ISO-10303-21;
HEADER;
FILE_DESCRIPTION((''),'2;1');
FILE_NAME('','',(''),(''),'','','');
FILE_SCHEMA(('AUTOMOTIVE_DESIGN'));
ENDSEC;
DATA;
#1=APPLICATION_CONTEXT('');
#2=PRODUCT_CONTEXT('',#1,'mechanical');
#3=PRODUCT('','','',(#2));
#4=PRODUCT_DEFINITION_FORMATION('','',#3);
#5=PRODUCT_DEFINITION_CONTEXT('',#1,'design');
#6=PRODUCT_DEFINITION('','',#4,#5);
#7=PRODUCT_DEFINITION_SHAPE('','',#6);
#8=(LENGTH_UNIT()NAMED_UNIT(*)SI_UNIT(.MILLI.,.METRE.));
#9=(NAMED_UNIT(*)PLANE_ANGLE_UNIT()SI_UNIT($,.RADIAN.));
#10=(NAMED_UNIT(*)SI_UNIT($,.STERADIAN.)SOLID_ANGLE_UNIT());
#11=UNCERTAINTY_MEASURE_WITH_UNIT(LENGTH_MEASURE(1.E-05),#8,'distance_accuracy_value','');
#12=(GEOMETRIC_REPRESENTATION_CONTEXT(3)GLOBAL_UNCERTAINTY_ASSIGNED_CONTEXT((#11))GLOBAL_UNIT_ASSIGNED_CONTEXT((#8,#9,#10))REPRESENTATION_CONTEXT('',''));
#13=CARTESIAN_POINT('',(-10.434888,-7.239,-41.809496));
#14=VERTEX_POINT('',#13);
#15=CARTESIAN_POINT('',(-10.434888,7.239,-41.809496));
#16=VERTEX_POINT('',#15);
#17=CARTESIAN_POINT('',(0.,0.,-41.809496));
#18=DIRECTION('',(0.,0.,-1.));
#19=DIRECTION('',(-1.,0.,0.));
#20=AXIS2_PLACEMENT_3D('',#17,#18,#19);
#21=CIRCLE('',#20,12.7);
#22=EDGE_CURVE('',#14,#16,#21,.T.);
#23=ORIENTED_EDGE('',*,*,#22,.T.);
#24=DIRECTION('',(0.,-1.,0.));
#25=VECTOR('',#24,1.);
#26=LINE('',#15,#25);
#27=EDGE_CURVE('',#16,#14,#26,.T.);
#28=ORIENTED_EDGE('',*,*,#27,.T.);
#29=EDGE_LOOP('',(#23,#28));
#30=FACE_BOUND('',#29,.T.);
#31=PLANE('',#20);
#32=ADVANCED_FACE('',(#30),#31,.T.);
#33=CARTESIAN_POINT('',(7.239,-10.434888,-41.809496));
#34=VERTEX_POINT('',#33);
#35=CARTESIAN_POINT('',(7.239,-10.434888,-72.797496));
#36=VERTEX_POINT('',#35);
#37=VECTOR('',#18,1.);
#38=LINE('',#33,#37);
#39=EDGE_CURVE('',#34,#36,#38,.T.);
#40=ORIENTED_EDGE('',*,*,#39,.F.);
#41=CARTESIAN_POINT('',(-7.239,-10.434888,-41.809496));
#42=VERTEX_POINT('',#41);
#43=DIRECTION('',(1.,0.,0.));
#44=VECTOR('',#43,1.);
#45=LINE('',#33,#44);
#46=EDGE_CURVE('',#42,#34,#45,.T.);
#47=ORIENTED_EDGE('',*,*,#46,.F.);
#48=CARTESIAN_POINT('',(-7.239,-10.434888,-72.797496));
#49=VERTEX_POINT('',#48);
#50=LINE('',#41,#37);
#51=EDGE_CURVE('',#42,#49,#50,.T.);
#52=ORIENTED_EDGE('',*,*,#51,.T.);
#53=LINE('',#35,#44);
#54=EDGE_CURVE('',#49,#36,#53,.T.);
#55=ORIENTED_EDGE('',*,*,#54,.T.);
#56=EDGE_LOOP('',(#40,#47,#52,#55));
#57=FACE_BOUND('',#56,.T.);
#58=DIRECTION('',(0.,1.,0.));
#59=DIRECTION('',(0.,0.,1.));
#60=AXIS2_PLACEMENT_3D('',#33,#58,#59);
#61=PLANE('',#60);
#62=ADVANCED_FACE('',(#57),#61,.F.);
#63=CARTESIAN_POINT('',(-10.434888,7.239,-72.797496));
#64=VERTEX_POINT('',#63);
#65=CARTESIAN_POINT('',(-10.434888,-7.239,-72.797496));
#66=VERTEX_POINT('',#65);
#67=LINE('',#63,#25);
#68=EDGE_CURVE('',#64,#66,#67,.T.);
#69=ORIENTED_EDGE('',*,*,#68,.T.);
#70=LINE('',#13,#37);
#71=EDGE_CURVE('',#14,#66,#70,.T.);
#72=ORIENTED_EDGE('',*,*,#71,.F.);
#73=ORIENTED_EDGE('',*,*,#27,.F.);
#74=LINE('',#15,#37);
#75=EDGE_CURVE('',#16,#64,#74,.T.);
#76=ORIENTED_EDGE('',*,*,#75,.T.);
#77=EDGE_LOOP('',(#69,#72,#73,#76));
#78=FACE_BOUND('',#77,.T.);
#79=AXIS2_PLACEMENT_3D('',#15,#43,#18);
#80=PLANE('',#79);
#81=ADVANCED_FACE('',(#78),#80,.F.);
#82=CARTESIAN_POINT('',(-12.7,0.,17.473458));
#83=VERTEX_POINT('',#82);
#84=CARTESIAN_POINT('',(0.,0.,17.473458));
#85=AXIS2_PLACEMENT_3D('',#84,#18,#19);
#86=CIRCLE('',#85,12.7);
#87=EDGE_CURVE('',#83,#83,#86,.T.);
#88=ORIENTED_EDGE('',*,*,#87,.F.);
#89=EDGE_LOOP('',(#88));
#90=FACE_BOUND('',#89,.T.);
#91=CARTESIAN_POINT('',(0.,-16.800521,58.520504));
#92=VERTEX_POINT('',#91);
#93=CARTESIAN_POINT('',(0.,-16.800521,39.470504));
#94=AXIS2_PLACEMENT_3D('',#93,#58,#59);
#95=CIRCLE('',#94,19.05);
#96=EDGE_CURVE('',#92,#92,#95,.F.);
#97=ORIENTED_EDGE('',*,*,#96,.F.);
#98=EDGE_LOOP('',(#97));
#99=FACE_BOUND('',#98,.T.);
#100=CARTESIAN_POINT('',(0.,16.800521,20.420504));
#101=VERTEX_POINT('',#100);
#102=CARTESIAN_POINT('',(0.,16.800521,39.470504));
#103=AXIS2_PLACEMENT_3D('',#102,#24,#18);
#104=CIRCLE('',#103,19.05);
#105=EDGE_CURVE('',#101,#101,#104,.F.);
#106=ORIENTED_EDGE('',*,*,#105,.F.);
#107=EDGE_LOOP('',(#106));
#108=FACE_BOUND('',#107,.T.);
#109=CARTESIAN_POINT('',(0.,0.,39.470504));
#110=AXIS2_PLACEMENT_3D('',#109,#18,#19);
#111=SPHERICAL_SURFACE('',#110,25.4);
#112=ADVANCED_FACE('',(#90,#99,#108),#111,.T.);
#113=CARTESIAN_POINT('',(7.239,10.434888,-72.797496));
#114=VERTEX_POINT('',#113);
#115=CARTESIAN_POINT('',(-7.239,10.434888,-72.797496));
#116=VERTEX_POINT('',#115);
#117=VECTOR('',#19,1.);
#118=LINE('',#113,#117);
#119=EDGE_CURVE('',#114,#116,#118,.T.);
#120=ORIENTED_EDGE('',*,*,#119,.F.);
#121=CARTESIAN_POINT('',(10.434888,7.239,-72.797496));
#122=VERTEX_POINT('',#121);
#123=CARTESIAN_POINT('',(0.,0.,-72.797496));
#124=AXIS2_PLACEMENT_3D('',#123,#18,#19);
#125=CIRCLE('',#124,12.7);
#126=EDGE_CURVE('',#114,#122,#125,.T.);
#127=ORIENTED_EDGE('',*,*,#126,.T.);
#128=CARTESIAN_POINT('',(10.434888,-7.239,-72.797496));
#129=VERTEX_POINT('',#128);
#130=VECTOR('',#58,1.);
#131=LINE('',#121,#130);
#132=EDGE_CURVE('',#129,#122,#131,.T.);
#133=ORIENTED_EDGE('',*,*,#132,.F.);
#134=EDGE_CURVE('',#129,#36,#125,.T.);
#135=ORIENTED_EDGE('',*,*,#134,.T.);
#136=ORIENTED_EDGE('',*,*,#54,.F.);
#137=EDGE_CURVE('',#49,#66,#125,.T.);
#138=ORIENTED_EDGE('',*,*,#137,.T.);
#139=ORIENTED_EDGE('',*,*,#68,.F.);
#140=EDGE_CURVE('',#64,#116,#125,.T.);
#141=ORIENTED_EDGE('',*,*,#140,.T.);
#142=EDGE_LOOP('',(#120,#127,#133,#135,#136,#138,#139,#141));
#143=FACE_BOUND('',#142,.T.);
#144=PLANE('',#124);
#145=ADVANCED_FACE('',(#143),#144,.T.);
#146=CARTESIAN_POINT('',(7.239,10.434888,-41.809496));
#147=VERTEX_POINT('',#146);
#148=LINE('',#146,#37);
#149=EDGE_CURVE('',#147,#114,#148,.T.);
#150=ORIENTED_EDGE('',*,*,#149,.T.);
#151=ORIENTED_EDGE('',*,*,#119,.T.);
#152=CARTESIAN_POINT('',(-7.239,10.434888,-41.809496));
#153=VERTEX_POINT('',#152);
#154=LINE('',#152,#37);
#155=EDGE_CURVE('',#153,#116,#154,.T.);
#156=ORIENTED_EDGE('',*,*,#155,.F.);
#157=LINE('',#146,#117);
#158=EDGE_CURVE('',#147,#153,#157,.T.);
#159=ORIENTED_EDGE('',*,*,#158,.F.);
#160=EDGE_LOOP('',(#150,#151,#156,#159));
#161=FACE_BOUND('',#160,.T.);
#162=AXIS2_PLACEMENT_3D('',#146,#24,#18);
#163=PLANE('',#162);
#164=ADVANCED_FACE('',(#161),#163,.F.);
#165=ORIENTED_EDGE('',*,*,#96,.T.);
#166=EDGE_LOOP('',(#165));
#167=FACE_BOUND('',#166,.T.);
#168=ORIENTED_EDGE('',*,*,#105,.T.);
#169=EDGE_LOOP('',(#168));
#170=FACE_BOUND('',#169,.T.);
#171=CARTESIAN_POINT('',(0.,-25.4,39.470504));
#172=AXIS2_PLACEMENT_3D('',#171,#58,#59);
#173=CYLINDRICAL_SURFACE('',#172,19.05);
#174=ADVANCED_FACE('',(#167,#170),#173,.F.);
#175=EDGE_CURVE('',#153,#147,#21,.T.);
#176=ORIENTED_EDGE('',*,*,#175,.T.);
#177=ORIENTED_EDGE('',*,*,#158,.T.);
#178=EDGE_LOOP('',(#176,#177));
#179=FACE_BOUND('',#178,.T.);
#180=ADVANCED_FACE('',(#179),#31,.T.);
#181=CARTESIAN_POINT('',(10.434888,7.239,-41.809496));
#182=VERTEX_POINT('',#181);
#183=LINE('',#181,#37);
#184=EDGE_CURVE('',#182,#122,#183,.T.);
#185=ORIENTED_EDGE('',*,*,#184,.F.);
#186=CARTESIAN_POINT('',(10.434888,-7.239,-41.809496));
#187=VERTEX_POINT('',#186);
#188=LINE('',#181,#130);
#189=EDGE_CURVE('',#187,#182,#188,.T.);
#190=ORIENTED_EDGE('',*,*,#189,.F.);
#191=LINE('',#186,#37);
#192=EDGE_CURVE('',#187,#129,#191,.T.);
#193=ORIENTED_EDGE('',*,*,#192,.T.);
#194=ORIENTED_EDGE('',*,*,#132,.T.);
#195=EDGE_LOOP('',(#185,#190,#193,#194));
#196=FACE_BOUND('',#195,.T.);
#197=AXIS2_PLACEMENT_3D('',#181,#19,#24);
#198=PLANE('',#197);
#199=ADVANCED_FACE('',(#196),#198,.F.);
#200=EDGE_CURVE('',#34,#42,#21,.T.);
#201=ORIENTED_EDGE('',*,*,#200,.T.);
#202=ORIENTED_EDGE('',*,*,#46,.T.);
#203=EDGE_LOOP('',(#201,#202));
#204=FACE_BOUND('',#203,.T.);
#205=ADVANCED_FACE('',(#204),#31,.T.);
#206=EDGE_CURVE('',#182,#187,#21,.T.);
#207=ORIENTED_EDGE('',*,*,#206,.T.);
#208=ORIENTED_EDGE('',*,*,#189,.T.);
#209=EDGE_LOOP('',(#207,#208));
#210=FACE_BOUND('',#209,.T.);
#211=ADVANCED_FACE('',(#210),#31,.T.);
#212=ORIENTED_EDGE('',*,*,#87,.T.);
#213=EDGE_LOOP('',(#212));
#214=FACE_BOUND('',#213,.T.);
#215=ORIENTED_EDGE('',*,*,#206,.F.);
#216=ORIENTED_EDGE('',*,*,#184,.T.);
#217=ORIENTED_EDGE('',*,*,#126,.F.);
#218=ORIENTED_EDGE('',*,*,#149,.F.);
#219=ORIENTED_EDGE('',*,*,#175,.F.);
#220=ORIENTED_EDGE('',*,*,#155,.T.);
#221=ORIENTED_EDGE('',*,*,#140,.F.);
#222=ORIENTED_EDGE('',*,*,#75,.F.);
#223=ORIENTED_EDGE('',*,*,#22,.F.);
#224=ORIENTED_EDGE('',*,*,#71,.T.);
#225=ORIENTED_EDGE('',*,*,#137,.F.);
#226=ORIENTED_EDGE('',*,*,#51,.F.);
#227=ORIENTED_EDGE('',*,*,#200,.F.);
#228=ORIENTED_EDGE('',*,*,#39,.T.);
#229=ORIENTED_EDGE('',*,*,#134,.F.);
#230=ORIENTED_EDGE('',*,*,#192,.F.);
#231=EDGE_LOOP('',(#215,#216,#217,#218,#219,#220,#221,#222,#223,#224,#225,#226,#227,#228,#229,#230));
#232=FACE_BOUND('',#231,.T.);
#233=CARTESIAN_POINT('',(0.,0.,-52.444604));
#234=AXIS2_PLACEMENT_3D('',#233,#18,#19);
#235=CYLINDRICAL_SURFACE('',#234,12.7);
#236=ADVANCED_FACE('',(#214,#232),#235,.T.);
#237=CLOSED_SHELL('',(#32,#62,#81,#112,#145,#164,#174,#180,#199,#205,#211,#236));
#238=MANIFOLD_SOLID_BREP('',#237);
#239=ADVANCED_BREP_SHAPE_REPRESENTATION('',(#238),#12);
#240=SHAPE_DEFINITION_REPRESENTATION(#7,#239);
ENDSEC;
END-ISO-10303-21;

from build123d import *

# Parameters (mm, degrees)
SKETCH3_R               = 19.05
CUT_EXTRUDE1_DEPTH      = 26.4
CUT_EXTRUDE1_DEPTH_BACK = 26.4
CUT_EXTRUDE2_DEPTH      = 30.988


with BuildPart() as part:
    # Sketch2 → Revolve2 (revolve)
    with BuildSketch(Plane(origin=(0, 0, 0), x_dir=(1, 0, 0), z_dir=(0, 1, 0))):
        with BuildLine():
            Line((0, -64.870503597), (0, 72.797496403))
            Line((0, 72.797496403), (-12.7, 72.797496403))
            Line((-12.7, 72.797496403), (-12.7, -17.473458341))
            ThreePointArc((-12.7, -17.473458341), (-24.534515988, -46.044507343), (0, -64.870503597))
        make_face()
    revolve(axis=Axis((0, 0, -52.444604317), (0, 0, 1)))

    # Sketch3 → Cut-Extrude1 (cut, two sides)
    with BuildSketch(Plane(origin=(0, 0, 0), x_dir=(1, 0, 0), z_dir=(0, 1, 0))) as cut_extrude1_sk:
        with Locations((0, -39.470503597)):
            Circle(SKETCH3_R)
    extrude(amount=CUT_EXTRUDE1_DEPTH, mode=Mode.SUBTRACT)
    extrude(cut_extrude1_sk.sketch, amount=-CUT_EXTRUDE1_DEPTH_BACK, mode=Mode.SUBTRACT)

    # Sketch4 → Cut-Extrude2 (cut)
    with BuildSketch(Plane(origin=(0, 0, -72.797496403), x_dir=(-1, 0, 0), z_dir=(0, 0, -1))):
        with BuildLine():
            Line((-7.239, -10.434887589), (7.239, -10.434887589))
            ThreePointArc((7.239, -10.434887589), (0, -12.7), (-7.239, -10.434887589))
        make_face()
        with BuildLine():
            Line((10.434887589, 7.239), (10.434887589, -7.239))
            ThreePointArc((10.434887589, -7.239), (12.7, 0), (10.434887589, 7.239))
        make_face()
        with BuildLine():
            Line((-10.434887589, 7.239), (-10.434887589, -7.239))
            ThreePointArc((-10.434887589, -7.239), (-12.7, 0), (-10.434887589, 7.239))
        make_face()
        with BuildLine():
            Line((-7.239, 10.434887589), (7.239, 10.434887589))
            ThreePointArc((7.239, 10.434887589), (0, 12.7), (-7.239, 10.434887589))
        make_face()
    extrude(amount=-CUT_EXTRUDE2_DEPTH, mode=Mode.SUBTRACT)


solid = part.part
